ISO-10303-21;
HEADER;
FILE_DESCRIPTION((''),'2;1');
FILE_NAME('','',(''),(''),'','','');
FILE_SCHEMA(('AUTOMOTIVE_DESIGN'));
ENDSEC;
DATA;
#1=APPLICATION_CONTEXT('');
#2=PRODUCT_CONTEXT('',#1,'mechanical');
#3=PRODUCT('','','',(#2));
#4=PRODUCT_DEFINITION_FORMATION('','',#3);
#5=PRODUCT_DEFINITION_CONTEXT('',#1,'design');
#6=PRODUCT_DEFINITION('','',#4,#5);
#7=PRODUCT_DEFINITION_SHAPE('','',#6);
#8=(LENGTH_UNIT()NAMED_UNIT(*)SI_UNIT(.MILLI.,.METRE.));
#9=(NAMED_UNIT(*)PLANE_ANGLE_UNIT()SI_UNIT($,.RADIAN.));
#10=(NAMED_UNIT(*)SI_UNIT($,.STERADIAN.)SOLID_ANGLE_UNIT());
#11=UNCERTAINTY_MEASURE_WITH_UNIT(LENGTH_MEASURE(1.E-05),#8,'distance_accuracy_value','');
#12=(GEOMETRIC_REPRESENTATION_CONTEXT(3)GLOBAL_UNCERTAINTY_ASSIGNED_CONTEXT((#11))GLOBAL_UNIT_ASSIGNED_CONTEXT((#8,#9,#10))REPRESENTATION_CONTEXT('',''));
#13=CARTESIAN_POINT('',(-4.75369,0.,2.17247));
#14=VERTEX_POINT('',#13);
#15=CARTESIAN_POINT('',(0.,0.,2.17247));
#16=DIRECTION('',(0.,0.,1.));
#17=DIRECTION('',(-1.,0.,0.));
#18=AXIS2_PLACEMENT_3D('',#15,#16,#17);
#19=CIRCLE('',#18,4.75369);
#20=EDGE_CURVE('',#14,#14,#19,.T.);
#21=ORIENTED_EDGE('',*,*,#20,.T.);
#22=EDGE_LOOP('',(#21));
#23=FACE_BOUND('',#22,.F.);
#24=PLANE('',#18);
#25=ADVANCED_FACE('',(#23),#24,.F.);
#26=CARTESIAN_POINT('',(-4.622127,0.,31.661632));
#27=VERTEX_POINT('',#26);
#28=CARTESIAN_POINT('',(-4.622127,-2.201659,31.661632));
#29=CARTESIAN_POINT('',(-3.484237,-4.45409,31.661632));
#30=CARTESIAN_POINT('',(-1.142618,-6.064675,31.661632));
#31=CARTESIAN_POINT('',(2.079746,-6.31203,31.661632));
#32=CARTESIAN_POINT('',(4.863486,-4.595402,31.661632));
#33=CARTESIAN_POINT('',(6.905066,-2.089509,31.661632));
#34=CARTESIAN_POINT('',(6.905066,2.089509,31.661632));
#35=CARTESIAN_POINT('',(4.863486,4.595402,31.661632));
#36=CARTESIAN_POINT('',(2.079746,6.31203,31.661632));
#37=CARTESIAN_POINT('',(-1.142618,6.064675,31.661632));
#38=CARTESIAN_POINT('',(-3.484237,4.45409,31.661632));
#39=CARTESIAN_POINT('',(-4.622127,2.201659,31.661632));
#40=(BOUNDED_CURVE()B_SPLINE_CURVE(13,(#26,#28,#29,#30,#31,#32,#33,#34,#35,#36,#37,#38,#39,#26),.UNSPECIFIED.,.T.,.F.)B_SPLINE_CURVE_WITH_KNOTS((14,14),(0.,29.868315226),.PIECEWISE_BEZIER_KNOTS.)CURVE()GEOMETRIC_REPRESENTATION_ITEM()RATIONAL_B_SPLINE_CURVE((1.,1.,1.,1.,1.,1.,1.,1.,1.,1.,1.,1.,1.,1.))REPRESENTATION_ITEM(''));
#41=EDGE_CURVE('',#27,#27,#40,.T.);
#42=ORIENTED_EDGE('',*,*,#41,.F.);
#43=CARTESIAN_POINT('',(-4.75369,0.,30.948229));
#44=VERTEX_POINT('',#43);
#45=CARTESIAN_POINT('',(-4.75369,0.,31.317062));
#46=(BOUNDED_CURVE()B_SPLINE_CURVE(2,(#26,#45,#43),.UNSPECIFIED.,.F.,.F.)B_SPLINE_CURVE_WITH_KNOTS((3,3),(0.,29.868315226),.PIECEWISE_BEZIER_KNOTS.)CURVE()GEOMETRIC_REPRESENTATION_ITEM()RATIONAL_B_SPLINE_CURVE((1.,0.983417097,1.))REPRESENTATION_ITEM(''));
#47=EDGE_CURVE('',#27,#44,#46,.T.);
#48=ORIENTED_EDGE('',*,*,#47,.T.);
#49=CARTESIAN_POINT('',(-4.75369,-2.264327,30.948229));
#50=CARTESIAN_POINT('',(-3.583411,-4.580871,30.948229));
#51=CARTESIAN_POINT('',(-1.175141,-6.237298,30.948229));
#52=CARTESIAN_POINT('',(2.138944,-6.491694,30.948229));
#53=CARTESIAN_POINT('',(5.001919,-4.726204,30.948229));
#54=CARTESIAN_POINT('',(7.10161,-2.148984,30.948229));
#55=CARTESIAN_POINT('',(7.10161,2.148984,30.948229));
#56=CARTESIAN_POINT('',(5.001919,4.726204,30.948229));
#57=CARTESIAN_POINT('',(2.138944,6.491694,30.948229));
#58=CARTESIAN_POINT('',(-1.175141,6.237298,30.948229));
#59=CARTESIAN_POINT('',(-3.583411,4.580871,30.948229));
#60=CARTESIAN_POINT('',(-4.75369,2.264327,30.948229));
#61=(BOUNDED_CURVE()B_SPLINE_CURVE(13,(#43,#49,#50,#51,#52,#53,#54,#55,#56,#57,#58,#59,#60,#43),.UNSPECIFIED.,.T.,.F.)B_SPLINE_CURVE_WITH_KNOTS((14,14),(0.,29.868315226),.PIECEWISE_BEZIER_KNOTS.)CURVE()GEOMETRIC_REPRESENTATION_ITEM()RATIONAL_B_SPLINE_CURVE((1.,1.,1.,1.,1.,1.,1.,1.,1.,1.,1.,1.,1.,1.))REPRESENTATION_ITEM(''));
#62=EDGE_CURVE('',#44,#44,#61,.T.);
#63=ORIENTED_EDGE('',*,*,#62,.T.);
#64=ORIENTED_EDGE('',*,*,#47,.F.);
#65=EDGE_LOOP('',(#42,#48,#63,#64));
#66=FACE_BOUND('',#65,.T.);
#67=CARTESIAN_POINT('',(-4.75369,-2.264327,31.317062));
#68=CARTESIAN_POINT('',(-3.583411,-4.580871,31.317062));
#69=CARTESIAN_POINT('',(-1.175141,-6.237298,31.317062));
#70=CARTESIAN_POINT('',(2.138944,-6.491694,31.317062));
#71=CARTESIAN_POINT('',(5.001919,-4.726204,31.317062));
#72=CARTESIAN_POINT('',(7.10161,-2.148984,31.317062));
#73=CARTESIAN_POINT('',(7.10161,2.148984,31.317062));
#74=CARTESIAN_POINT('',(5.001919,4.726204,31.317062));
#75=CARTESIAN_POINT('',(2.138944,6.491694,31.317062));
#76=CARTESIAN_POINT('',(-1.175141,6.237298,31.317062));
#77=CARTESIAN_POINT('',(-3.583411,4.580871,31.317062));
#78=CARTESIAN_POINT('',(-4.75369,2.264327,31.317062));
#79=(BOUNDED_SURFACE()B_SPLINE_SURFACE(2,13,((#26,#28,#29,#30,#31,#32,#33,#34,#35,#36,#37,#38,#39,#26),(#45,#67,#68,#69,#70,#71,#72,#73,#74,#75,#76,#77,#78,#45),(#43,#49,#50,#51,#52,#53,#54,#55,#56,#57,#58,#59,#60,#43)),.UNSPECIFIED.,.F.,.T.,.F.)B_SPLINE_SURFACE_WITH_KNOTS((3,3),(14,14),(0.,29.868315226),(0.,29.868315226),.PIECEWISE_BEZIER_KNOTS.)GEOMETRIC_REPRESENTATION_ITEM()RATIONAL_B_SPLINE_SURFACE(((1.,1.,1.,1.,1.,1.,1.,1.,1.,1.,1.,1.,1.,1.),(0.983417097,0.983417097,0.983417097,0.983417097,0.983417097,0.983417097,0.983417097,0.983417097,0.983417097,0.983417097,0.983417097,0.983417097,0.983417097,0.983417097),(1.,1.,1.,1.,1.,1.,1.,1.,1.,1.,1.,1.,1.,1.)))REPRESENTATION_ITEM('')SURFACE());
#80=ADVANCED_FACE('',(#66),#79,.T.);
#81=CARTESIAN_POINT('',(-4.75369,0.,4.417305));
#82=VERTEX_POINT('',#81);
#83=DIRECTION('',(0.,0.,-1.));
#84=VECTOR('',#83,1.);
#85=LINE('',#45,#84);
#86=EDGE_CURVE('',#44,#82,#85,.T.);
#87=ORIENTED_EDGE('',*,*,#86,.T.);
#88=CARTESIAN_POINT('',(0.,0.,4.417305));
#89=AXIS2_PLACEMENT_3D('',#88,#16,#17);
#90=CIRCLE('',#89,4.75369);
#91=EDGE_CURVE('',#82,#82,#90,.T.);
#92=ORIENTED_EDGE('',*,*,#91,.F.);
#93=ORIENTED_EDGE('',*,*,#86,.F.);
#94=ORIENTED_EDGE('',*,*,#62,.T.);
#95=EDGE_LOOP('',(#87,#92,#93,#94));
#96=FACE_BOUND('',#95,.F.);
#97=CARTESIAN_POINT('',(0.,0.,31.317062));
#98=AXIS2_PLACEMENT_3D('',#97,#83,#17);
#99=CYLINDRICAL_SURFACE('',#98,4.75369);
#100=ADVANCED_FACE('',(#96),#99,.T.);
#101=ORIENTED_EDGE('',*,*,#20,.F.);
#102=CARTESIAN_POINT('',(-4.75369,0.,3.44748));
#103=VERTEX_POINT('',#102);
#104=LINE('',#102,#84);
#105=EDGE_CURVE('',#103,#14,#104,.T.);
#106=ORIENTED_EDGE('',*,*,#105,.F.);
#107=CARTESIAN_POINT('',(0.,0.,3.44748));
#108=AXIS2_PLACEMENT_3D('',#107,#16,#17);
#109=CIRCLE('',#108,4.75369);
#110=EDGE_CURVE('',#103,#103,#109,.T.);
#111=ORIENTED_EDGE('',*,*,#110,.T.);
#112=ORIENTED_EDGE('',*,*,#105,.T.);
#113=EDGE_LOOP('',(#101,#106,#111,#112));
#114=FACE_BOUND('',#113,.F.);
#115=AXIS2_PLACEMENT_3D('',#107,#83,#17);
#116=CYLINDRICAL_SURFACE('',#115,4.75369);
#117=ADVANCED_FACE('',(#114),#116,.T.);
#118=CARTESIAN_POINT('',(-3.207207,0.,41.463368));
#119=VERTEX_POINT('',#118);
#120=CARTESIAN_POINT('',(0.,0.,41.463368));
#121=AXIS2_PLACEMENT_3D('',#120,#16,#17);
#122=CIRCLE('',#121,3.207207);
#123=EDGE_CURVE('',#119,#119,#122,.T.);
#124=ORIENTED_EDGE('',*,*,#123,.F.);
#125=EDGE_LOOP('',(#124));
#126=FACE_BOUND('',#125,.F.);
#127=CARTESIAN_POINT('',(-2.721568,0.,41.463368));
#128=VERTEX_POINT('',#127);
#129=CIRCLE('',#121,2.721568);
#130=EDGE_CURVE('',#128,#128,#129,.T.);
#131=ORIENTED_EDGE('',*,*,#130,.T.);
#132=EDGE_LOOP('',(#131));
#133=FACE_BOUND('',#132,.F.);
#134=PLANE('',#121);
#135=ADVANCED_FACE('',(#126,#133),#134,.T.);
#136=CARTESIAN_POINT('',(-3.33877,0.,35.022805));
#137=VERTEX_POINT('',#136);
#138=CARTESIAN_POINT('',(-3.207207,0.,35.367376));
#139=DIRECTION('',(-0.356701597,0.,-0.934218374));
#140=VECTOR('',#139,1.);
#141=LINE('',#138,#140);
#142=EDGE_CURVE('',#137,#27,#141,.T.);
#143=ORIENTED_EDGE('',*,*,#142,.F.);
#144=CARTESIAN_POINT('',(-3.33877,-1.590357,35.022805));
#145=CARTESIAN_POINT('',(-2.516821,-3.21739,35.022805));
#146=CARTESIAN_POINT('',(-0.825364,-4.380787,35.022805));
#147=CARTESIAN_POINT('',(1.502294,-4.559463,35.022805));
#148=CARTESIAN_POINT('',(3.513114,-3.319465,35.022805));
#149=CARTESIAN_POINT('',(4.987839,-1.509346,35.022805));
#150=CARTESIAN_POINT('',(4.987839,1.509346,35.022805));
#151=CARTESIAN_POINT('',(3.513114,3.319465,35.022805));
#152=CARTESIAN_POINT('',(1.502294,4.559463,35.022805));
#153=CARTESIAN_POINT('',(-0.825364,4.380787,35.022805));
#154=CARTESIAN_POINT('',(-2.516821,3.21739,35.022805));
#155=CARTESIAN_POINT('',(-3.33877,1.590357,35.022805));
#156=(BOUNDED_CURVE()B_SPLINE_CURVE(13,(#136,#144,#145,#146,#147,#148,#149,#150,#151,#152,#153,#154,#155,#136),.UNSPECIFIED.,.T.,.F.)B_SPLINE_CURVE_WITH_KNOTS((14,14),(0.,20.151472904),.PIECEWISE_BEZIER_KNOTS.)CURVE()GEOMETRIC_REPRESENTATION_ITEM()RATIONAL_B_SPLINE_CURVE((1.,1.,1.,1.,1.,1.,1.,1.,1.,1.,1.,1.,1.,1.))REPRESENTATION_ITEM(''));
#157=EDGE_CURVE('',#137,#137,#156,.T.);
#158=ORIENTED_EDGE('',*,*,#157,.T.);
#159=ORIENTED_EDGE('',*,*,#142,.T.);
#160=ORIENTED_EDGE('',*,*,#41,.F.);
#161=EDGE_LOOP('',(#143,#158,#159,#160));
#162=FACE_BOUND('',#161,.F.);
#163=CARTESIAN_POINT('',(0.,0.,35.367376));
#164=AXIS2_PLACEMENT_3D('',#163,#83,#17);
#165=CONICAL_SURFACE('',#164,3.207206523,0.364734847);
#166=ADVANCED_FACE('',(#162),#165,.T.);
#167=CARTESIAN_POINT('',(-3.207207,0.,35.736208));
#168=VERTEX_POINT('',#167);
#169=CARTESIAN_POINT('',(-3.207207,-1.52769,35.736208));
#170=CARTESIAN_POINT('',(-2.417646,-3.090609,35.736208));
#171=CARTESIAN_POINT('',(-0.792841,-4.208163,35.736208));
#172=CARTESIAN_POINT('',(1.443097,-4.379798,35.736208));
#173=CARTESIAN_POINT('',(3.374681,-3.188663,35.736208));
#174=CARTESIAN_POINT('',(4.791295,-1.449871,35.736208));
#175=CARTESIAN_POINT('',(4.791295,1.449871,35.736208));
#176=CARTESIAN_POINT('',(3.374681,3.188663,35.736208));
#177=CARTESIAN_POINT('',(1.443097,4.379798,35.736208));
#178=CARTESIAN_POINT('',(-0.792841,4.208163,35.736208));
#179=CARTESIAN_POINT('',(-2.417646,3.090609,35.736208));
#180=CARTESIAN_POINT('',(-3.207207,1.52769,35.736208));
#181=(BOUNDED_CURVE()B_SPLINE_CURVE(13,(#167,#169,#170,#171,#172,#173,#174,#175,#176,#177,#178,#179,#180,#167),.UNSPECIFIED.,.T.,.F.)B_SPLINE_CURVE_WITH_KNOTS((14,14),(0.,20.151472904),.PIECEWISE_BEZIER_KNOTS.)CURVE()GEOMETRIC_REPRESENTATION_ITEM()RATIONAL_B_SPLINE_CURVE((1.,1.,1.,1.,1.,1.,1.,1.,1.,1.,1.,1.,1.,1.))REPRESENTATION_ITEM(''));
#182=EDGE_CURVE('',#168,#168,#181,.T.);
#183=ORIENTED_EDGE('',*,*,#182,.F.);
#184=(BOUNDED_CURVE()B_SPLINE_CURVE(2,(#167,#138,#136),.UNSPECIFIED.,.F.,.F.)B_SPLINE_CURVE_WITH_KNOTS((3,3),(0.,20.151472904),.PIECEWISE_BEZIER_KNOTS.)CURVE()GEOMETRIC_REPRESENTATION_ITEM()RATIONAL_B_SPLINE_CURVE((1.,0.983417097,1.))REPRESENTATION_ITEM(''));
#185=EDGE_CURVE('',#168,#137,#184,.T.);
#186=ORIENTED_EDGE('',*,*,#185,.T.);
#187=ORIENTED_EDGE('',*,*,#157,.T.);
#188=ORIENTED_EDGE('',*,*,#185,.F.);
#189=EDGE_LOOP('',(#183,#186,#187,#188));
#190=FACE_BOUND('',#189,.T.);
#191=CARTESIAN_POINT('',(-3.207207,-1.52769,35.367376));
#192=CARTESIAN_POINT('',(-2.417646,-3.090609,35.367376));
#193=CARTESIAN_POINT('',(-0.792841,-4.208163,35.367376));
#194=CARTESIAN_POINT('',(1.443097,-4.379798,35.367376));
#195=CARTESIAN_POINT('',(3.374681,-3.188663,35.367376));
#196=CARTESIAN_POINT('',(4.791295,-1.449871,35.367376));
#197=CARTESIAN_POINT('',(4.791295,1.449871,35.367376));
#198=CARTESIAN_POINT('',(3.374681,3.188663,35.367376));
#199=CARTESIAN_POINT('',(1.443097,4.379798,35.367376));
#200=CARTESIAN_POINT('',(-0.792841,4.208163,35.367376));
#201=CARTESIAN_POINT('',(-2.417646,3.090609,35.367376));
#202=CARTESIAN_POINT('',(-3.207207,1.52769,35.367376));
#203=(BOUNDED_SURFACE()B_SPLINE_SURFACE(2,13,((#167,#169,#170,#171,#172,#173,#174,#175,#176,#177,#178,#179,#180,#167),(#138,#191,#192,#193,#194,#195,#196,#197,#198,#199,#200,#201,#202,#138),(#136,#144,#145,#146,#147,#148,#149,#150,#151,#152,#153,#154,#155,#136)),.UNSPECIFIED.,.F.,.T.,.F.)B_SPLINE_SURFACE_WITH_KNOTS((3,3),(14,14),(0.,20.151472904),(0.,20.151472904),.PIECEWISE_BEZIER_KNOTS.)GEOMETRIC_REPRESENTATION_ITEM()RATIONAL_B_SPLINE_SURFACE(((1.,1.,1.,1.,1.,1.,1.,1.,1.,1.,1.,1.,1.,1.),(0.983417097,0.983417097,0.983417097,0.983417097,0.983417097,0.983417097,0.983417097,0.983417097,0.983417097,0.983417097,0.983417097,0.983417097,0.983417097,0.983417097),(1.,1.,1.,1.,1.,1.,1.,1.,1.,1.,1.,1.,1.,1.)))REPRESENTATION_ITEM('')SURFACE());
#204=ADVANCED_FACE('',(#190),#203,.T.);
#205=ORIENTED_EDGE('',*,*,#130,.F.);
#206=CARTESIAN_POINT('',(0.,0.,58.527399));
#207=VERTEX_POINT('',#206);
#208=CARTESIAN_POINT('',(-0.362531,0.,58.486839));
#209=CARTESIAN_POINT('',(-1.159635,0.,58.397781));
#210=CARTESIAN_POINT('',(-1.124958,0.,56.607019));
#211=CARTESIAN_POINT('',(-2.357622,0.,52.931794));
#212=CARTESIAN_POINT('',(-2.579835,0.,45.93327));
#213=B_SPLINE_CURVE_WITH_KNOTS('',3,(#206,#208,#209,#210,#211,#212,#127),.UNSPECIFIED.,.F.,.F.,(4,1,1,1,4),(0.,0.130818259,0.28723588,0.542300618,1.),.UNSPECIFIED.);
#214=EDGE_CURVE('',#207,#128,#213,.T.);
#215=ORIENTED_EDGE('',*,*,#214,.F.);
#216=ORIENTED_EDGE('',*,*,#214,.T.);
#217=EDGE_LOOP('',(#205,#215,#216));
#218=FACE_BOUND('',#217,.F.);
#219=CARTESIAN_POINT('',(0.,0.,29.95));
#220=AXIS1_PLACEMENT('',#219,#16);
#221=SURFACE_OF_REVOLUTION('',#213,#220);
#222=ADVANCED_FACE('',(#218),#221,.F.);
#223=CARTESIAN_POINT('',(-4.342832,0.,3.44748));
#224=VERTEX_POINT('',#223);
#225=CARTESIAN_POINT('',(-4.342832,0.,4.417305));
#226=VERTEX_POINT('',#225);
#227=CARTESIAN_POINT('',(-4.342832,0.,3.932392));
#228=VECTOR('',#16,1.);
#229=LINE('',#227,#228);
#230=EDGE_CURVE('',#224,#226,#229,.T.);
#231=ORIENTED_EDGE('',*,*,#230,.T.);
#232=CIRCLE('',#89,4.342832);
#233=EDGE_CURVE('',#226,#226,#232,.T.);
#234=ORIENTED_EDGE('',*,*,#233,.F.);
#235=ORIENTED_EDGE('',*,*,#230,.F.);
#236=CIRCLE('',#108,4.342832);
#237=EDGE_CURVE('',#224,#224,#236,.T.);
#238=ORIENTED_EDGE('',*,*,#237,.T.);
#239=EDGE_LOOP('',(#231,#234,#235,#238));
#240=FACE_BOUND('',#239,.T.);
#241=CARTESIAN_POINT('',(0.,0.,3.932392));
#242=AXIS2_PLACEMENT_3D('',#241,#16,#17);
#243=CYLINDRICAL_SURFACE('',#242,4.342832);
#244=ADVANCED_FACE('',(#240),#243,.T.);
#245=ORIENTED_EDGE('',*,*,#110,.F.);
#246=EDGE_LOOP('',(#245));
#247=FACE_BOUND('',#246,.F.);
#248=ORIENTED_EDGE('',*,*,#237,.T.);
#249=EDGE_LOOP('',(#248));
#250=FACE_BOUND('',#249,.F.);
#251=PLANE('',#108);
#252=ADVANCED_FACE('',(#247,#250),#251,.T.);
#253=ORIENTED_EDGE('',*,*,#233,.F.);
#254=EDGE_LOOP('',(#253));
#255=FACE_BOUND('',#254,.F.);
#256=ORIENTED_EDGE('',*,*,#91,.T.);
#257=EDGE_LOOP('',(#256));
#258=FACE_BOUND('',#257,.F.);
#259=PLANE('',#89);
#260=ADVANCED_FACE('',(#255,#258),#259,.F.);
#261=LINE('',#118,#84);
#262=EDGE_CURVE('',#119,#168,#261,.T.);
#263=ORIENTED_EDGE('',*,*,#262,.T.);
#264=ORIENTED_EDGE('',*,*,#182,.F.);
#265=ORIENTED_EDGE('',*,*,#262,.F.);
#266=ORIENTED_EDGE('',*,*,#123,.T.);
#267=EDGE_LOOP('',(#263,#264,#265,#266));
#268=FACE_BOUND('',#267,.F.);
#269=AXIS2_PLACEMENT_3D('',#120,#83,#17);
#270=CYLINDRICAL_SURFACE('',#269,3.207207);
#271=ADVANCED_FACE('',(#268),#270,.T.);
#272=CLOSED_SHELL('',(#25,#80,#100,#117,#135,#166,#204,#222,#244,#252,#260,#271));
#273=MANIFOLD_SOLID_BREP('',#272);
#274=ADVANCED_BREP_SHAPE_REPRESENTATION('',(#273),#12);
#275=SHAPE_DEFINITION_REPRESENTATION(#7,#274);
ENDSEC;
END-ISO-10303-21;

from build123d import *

# Parameters (mm, degrees)
F0_W = 4.3428323324
F0_H = 0.9698241177
F2_R = 2


with BuildPart() as f1:
    # F0 (on Front) → F1 (revolve)
    with BuildSketch(Plane.XZ):
        Polygon((0, 41.463367641), (-2.7215683367, 41.463367641), (-3.2072065232, 41.463367641), (-3.2072065232, 35.3673755124), (-4.7536900101, 31.317062021), (-4.7536900101, 4.4173045305), (-4.3428323324, 4.4173045305), (0, 4.4173045305), align=None)
        with Locations((-2.1714161662, 3.9323924717)):
            Rectangle(F0_W, F0_H)
        Polygon((0, 2.1724704409), (0, 3.4474804128), (-4.3428323324, 3.4474804128), (-4.7536900101, 3.4474804128), (-4.7536900101, 2.1724704409), align=None)
    revolve(axis=Axis((0, 0, 29.95), (0, 0, 1)))

    # F2
    f2_edges = [f1.edges().sort_by_distance(p)[0] for p in [
        (3.207207, 0, 35.367376),
        (4.75369, 0, 31.317062),
    ]]
    fillet(f2_edges, radius=F2_R)

    # F0 (on Front) → F3 (revolve)
    with BuildSketch(Plane.XZ):
        with BuildLine():
            Line((0, 41.463367641), (0, 58.5273988545))
            add(Edge.make_bspline(
                [(0, 58.5273988545), (-0.36253144, 58.486839259), (-1.1596346327, 58.3977811986), (-1.1249576474, 56.6070187801), (-2.3576224657, 52.9317939751), (-2.579834999, 45.9332704529), (-2.7215683367, 41.463367641)],
                knots=[0, 0, 0, 0, 0.1308182588, 0.2872358796, 0.5423006179, 1, 1, 1, 1], degree=3))
            Line((-2.7215683367, 41.463367641), (0, 41.463367641))
        make_face()
    revolve(axis=Axis((0, 0, 29.95), (0, 0, 1)))


solid = f1.part
